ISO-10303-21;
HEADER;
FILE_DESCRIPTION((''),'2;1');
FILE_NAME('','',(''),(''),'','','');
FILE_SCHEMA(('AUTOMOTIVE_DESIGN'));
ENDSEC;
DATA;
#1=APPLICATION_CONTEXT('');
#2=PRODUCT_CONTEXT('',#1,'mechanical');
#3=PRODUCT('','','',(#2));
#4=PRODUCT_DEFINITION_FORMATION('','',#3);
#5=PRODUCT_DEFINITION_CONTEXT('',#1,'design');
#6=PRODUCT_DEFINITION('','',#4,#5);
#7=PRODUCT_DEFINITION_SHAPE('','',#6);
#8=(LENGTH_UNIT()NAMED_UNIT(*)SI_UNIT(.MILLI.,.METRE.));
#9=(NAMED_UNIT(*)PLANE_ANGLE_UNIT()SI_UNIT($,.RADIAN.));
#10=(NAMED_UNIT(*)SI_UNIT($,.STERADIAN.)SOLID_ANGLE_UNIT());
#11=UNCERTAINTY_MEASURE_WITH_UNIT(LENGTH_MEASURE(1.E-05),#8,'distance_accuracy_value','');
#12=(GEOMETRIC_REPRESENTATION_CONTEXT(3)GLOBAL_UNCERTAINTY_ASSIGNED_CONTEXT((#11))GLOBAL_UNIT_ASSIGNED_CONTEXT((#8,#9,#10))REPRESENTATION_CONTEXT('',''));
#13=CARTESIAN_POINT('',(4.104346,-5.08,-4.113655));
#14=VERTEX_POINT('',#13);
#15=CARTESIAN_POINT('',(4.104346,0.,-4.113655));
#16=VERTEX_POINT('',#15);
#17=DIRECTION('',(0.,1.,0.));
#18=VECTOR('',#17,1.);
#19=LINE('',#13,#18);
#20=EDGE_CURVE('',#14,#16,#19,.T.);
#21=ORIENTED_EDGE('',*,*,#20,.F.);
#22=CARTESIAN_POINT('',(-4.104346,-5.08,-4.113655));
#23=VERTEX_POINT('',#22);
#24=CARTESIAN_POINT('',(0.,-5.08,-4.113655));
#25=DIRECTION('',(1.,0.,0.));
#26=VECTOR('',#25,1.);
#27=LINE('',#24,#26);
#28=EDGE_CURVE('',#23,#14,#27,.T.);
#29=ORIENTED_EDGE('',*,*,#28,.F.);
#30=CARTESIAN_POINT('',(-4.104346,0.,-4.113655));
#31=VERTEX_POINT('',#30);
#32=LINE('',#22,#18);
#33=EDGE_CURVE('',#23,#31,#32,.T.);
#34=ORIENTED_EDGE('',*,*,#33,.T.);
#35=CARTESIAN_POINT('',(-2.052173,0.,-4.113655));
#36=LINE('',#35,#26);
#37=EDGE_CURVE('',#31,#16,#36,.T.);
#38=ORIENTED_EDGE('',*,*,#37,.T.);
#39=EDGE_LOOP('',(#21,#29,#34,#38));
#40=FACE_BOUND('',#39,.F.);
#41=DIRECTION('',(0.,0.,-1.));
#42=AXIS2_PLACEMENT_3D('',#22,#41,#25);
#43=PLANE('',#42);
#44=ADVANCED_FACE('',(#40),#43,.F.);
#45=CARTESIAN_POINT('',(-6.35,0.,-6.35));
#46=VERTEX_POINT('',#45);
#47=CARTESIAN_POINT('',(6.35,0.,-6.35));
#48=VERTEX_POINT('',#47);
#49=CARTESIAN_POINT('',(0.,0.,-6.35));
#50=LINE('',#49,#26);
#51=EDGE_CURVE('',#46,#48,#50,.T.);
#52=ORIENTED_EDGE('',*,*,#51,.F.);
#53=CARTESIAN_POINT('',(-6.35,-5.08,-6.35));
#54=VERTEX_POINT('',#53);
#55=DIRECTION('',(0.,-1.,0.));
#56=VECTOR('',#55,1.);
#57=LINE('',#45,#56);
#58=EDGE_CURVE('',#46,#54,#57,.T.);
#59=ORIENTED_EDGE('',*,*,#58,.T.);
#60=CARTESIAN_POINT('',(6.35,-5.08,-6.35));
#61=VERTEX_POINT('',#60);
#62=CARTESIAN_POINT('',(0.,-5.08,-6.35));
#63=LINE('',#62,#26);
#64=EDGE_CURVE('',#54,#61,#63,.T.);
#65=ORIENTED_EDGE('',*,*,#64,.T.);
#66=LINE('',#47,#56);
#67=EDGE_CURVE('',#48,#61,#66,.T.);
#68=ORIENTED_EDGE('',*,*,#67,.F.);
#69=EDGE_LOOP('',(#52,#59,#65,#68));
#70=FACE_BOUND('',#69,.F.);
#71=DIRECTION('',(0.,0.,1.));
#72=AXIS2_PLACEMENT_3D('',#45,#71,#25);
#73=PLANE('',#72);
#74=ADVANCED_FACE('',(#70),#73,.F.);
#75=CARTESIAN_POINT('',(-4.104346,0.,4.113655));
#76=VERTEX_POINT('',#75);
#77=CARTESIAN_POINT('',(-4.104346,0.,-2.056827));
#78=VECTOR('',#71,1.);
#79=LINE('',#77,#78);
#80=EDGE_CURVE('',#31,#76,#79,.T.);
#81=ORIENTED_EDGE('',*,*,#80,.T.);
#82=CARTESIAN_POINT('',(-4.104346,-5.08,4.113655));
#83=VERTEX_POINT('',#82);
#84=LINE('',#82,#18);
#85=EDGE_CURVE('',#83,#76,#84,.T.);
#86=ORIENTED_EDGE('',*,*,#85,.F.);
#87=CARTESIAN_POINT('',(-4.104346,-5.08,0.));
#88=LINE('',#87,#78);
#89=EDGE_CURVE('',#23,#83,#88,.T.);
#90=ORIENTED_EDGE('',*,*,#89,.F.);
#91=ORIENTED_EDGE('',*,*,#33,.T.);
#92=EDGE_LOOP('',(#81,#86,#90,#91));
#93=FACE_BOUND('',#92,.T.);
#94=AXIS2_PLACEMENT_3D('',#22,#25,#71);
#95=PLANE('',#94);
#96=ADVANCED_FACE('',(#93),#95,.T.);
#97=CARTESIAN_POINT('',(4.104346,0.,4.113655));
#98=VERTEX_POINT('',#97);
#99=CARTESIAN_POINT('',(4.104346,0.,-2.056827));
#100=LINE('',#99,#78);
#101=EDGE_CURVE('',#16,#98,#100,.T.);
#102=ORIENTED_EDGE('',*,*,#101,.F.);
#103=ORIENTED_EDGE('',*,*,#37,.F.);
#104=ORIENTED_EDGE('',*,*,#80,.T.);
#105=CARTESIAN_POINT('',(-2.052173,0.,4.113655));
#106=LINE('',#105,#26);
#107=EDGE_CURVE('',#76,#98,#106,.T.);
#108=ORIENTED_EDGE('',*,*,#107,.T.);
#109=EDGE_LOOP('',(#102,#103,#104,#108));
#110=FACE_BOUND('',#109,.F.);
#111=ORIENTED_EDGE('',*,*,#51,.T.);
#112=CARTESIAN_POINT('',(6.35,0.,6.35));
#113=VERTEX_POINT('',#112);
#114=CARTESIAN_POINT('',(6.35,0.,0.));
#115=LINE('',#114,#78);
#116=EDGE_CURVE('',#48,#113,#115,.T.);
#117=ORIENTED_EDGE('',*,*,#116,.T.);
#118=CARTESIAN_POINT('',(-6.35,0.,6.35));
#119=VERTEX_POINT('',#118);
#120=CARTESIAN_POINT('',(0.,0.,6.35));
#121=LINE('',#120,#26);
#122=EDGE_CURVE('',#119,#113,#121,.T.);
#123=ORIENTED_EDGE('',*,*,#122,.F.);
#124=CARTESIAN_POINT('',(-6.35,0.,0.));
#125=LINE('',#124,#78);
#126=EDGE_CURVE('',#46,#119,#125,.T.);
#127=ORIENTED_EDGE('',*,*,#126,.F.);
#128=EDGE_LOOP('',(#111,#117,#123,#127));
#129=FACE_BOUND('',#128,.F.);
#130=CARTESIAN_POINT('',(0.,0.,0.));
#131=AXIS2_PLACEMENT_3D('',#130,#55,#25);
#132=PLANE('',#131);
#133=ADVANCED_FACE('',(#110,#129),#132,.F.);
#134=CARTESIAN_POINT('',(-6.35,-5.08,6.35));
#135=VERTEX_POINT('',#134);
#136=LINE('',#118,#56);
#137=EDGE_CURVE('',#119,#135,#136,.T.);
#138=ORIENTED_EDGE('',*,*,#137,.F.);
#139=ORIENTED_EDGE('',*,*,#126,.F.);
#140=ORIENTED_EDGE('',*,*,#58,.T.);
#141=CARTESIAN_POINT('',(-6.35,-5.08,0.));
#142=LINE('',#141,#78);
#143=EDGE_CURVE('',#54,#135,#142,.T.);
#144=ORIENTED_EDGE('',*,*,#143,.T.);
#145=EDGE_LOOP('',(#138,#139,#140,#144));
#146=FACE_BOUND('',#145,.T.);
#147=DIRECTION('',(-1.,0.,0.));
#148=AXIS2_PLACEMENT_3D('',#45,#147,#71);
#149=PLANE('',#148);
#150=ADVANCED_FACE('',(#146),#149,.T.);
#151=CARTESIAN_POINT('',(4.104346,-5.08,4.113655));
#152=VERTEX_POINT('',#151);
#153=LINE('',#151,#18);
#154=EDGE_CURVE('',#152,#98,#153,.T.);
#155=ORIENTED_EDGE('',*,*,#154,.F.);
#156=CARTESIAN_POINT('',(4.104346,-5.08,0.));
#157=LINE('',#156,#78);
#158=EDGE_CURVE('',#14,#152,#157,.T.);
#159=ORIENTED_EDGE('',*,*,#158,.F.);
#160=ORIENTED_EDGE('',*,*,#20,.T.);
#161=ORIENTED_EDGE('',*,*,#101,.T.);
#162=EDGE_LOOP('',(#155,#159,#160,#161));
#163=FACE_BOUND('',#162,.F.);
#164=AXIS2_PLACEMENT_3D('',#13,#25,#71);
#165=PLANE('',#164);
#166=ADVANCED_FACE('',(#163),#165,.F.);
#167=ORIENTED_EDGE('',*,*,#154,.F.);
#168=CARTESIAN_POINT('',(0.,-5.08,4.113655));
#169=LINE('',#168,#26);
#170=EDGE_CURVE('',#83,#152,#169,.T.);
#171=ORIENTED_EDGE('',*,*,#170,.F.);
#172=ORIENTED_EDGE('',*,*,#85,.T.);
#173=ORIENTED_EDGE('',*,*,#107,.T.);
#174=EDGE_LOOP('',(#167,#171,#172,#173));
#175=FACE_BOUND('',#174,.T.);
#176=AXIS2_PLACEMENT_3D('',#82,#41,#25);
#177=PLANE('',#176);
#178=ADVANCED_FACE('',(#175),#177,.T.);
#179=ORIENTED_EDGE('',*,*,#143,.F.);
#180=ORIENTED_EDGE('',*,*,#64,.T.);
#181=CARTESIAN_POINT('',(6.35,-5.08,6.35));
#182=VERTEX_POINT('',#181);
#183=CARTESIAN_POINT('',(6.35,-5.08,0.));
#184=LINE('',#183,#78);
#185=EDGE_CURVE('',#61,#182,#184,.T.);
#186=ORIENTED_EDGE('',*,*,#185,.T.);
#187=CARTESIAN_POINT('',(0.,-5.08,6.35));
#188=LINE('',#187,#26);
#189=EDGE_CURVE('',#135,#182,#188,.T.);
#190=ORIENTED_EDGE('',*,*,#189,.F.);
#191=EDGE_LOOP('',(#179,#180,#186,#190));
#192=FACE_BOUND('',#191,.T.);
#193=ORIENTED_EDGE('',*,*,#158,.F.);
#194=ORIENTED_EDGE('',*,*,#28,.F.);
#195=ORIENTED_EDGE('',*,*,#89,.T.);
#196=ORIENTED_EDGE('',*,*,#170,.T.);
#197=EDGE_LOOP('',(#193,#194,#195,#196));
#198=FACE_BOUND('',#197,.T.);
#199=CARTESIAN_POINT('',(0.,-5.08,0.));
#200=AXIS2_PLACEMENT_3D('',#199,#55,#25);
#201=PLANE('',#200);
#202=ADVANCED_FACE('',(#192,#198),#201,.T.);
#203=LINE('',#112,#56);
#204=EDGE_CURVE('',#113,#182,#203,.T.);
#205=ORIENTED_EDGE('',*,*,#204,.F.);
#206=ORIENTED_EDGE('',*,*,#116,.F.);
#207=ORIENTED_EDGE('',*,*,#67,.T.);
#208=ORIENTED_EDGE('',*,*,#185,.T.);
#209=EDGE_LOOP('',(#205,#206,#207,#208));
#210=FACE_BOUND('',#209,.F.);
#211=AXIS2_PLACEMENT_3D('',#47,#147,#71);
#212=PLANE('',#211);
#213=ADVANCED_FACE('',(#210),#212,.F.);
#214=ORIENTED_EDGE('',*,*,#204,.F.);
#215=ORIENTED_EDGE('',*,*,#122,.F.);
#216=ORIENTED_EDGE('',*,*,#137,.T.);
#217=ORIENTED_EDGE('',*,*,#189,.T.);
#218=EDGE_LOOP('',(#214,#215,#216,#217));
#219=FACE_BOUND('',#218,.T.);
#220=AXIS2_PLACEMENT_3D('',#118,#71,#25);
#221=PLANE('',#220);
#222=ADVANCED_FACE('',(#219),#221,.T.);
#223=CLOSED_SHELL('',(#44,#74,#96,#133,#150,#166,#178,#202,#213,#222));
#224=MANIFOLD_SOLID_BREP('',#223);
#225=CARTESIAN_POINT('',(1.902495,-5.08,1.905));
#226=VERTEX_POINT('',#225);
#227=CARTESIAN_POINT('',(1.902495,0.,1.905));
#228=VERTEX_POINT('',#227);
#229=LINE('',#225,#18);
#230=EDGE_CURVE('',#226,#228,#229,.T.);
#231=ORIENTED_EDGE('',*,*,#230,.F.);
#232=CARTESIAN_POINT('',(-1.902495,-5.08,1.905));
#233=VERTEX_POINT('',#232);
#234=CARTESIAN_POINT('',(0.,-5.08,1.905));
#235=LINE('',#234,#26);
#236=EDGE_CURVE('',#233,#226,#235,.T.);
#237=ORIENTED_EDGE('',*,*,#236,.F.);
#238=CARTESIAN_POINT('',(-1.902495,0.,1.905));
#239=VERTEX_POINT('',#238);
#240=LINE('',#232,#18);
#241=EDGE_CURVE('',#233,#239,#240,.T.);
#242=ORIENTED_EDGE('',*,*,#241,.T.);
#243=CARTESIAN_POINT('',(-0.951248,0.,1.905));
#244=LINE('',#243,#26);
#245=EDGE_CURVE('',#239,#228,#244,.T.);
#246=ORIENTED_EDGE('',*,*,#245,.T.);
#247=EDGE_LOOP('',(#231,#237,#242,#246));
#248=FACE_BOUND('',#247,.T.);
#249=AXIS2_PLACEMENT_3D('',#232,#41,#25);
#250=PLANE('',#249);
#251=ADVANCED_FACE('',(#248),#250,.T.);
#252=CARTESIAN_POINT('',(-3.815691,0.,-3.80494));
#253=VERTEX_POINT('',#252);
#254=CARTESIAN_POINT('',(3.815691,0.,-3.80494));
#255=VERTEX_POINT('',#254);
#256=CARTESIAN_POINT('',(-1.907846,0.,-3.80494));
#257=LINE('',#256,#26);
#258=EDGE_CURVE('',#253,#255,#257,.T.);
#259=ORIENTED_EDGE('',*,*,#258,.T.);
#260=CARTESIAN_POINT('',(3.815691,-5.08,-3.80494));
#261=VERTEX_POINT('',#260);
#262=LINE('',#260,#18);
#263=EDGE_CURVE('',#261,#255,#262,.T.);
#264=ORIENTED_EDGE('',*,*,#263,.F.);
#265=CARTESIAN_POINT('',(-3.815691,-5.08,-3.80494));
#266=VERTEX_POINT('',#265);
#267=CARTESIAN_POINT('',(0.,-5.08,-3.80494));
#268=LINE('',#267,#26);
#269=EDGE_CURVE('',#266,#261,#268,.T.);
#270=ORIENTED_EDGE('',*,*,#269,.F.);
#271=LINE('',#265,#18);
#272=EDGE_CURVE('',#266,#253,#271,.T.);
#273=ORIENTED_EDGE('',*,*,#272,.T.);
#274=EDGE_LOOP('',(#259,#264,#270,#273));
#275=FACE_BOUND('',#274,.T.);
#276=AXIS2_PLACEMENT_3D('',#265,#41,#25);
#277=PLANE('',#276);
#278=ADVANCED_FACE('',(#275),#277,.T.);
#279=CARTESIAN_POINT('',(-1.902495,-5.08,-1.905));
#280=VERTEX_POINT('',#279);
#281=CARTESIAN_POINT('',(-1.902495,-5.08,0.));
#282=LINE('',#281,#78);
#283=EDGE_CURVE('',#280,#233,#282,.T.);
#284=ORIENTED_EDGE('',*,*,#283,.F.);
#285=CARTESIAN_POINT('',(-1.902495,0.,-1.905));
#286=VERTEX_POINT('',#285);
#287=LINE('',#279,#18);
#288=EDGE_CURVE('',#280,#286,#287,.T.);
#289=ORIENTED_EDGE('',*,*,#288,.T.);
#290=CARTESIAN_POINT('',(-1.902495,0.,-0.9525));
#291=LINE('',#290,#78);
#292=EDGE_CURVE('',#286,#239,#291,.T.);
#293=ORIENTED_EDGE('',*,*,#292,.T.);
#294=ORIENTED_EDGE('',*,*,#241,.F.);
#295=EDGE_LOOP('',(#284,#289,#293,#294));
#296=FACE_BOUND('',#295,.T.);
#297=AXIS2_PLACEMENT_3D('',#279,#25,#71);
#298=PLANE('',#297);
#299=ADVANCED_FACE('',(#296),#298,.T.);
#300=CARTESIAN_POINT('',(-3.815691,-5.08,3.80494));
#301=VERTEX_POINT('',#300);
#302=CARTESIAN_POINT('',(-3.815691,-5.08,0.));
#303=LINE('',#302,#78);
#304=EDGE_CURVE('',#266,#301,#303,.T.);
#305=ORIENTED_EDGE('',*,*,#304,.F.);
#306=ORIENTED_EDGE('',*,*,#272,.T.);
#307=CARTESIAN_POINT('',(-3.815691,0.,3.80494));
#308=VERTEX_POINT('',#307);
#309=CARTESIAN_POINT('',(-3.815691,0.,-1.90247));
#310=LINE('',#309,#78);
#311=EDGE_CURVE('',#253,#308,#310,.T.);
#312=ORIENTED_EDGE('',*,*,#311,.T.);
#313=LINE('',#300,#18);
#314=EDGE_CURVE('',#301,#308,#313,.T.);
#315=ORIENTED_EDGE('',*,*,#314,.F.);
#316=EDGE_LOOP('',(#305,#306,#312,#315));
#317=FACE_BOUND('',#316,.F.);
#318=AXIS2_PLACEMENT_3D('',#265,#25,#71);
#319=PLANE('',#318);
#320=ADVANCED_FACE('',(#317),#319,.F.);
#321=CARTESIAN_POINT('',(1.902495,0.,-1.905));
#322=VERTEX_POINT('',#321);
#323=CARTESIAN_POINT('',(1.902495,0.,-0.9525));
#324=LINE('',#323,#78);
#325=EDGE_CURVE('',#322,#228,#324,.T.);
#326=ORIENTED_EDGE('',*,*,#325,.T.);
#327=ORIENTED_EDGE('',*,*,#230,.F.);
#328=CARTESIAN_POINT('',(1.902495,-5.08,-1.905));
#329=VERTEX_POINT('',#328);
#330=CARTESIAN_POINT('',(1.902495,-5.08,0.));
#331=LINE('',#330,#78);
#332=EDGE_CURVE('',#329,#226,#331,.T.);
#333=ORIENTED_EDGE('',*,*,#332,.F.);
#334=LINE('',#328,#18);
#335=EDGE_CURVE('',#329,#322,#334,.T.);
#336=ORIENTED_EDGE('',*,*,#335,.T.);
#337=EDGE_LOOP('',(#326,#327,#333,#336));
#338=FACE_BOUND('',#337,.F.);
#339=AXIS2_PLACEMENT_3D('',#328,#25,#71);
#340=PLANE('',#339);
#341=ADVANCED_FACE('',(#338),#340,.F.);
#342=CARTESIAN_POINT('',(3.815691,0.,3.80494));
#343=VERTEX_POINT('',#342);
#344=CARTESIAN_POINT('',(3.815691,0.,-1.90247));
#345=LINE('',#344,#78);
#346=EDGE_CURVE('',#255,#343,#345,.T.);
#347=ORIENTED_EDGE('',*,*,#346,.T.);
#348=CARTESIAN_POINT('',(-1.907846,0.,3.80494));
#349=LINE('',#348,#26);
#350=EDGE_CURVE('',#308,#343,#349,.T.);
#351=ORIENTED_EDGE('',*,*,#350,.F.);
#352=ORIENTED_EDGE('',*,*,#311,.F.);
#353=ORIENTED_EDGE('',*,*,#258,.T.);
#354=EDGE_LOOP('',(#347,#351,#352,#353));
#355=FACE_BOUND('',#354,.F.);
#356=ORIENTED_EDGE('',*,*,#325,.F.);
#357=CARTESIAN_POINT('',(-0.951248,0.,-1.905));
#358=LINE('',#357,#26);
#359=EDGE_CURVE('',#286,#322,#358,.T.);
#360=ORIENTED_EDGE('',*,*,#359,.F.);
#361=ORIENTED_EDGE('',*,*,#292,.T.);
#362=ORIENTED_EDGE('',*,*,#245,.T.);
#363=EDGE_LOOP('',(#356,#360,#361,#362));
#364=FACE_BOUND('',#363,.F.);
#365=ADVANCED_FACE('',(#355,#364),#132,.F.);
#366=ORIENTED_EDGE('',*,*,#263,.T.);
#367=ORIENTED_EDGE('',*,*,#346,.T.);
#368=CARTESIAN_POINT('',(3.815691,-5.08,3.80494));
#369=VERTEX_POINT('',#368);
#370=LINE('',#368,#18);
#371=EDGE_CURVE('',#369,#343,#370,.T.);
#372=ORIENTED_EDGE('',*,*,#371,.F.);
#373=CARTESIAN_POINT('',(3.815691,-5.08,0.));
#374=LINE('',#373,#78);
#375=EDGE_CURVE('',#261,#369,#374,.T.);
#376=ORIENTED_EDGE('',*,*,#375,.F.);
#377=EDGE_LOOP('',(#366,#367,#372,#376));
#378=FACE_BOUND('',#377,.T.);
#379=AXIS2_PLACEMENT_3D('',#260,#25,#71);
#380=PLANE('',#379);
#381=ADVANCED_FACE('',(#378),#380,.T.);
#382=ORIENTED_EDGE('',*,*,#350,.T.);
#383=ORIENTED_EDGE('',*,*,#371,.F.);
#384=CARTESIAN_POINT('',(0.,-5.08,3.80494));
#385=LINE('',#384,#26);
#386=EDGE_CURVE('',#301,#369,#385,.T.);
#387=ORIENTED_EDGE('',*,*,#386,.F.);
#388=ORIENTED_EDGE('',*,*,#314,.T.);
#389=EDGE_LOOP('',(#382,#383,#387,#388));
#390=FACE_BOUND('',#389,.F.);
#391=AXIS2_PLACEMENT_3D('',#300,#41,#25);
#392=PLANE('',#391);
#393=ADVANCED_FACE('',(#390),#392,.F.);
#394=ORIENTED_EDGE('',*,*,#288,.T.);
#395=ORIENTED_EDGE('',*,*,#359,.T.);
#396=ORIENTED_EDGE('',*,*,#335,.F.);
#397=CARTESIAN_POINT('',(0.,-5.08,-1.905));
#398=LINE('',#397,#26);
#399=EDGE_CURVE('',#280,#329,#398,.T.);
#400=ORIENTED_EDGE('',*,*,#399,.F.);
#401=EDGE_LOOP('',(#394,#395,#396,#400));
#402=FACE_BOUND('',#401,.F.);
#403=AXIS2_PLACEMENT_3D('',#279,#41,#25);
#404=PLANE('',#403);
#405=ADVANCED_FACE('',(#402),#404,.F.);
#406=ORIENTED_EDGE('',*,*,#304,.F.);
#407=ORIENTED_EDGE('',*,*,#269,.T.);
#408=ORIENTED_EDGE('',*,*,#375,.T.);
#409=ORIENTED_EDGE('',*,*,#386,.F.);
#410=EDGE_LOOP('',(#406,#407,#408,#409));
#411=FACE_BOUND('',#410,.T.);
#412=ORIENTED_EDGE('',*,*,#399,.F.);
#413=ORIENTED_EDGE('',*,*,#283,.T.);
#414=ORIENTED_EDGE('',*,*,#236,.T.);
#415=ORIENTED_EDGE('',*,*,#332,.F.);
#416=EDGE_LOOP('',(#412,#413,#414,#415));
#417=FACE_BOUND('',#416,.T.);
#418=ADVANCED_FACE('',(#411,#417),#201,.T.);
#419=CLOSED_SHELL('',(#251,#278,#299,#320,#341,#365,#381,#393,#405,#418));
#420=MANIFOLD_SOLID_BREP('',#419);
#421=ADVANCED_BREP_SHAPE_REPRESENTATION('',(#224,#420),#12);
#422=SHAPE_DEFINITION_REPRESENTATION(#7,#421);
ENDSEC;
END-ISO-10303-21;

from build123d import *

# Parameters (mm, degrees)
F0_W     = 12.7
F0_H     = 12.7
F1_DEPTH = 5.08
F3_W     = 3.80499
F3_H     = 3.81
F5_DEPTH = 25.4
F4_W     = 8.208692
F4_H     = 8.22731
F4_W_2   = 7.631382
F4_H_2   = 7.60988
F6_DEPTH = 25.4


with BuildPart() as f1:
    # F0 (on Front) → F1 (new body)
    with BuildSketch(Plane.XZ):
        Rectangle(F0_W, F0_H)
    extrude(amount=F1_DEPTH)

    # F3 (on face) → F5 (cut)
    with BuildSketch(Plane.XZ.offset(5.08)):
        Rectangle(F3_W, F3_H)
    extrude(amount=-F5_DEPTH, mode=Mode.SUBTRACT)

    # F4 (on face) → F6 (cut)
    with BuildSketch(Plane.XZ.offset(5.08)):
        Rectangle(F4_W, F4_H)
        Rectangle(F4_W_2, F4_H_2, mode=Mode.SUBTRACT)
    extrude(amount=-F6_DEPTH, mode=Mode.SUBTRACT)


solid = f1.part
